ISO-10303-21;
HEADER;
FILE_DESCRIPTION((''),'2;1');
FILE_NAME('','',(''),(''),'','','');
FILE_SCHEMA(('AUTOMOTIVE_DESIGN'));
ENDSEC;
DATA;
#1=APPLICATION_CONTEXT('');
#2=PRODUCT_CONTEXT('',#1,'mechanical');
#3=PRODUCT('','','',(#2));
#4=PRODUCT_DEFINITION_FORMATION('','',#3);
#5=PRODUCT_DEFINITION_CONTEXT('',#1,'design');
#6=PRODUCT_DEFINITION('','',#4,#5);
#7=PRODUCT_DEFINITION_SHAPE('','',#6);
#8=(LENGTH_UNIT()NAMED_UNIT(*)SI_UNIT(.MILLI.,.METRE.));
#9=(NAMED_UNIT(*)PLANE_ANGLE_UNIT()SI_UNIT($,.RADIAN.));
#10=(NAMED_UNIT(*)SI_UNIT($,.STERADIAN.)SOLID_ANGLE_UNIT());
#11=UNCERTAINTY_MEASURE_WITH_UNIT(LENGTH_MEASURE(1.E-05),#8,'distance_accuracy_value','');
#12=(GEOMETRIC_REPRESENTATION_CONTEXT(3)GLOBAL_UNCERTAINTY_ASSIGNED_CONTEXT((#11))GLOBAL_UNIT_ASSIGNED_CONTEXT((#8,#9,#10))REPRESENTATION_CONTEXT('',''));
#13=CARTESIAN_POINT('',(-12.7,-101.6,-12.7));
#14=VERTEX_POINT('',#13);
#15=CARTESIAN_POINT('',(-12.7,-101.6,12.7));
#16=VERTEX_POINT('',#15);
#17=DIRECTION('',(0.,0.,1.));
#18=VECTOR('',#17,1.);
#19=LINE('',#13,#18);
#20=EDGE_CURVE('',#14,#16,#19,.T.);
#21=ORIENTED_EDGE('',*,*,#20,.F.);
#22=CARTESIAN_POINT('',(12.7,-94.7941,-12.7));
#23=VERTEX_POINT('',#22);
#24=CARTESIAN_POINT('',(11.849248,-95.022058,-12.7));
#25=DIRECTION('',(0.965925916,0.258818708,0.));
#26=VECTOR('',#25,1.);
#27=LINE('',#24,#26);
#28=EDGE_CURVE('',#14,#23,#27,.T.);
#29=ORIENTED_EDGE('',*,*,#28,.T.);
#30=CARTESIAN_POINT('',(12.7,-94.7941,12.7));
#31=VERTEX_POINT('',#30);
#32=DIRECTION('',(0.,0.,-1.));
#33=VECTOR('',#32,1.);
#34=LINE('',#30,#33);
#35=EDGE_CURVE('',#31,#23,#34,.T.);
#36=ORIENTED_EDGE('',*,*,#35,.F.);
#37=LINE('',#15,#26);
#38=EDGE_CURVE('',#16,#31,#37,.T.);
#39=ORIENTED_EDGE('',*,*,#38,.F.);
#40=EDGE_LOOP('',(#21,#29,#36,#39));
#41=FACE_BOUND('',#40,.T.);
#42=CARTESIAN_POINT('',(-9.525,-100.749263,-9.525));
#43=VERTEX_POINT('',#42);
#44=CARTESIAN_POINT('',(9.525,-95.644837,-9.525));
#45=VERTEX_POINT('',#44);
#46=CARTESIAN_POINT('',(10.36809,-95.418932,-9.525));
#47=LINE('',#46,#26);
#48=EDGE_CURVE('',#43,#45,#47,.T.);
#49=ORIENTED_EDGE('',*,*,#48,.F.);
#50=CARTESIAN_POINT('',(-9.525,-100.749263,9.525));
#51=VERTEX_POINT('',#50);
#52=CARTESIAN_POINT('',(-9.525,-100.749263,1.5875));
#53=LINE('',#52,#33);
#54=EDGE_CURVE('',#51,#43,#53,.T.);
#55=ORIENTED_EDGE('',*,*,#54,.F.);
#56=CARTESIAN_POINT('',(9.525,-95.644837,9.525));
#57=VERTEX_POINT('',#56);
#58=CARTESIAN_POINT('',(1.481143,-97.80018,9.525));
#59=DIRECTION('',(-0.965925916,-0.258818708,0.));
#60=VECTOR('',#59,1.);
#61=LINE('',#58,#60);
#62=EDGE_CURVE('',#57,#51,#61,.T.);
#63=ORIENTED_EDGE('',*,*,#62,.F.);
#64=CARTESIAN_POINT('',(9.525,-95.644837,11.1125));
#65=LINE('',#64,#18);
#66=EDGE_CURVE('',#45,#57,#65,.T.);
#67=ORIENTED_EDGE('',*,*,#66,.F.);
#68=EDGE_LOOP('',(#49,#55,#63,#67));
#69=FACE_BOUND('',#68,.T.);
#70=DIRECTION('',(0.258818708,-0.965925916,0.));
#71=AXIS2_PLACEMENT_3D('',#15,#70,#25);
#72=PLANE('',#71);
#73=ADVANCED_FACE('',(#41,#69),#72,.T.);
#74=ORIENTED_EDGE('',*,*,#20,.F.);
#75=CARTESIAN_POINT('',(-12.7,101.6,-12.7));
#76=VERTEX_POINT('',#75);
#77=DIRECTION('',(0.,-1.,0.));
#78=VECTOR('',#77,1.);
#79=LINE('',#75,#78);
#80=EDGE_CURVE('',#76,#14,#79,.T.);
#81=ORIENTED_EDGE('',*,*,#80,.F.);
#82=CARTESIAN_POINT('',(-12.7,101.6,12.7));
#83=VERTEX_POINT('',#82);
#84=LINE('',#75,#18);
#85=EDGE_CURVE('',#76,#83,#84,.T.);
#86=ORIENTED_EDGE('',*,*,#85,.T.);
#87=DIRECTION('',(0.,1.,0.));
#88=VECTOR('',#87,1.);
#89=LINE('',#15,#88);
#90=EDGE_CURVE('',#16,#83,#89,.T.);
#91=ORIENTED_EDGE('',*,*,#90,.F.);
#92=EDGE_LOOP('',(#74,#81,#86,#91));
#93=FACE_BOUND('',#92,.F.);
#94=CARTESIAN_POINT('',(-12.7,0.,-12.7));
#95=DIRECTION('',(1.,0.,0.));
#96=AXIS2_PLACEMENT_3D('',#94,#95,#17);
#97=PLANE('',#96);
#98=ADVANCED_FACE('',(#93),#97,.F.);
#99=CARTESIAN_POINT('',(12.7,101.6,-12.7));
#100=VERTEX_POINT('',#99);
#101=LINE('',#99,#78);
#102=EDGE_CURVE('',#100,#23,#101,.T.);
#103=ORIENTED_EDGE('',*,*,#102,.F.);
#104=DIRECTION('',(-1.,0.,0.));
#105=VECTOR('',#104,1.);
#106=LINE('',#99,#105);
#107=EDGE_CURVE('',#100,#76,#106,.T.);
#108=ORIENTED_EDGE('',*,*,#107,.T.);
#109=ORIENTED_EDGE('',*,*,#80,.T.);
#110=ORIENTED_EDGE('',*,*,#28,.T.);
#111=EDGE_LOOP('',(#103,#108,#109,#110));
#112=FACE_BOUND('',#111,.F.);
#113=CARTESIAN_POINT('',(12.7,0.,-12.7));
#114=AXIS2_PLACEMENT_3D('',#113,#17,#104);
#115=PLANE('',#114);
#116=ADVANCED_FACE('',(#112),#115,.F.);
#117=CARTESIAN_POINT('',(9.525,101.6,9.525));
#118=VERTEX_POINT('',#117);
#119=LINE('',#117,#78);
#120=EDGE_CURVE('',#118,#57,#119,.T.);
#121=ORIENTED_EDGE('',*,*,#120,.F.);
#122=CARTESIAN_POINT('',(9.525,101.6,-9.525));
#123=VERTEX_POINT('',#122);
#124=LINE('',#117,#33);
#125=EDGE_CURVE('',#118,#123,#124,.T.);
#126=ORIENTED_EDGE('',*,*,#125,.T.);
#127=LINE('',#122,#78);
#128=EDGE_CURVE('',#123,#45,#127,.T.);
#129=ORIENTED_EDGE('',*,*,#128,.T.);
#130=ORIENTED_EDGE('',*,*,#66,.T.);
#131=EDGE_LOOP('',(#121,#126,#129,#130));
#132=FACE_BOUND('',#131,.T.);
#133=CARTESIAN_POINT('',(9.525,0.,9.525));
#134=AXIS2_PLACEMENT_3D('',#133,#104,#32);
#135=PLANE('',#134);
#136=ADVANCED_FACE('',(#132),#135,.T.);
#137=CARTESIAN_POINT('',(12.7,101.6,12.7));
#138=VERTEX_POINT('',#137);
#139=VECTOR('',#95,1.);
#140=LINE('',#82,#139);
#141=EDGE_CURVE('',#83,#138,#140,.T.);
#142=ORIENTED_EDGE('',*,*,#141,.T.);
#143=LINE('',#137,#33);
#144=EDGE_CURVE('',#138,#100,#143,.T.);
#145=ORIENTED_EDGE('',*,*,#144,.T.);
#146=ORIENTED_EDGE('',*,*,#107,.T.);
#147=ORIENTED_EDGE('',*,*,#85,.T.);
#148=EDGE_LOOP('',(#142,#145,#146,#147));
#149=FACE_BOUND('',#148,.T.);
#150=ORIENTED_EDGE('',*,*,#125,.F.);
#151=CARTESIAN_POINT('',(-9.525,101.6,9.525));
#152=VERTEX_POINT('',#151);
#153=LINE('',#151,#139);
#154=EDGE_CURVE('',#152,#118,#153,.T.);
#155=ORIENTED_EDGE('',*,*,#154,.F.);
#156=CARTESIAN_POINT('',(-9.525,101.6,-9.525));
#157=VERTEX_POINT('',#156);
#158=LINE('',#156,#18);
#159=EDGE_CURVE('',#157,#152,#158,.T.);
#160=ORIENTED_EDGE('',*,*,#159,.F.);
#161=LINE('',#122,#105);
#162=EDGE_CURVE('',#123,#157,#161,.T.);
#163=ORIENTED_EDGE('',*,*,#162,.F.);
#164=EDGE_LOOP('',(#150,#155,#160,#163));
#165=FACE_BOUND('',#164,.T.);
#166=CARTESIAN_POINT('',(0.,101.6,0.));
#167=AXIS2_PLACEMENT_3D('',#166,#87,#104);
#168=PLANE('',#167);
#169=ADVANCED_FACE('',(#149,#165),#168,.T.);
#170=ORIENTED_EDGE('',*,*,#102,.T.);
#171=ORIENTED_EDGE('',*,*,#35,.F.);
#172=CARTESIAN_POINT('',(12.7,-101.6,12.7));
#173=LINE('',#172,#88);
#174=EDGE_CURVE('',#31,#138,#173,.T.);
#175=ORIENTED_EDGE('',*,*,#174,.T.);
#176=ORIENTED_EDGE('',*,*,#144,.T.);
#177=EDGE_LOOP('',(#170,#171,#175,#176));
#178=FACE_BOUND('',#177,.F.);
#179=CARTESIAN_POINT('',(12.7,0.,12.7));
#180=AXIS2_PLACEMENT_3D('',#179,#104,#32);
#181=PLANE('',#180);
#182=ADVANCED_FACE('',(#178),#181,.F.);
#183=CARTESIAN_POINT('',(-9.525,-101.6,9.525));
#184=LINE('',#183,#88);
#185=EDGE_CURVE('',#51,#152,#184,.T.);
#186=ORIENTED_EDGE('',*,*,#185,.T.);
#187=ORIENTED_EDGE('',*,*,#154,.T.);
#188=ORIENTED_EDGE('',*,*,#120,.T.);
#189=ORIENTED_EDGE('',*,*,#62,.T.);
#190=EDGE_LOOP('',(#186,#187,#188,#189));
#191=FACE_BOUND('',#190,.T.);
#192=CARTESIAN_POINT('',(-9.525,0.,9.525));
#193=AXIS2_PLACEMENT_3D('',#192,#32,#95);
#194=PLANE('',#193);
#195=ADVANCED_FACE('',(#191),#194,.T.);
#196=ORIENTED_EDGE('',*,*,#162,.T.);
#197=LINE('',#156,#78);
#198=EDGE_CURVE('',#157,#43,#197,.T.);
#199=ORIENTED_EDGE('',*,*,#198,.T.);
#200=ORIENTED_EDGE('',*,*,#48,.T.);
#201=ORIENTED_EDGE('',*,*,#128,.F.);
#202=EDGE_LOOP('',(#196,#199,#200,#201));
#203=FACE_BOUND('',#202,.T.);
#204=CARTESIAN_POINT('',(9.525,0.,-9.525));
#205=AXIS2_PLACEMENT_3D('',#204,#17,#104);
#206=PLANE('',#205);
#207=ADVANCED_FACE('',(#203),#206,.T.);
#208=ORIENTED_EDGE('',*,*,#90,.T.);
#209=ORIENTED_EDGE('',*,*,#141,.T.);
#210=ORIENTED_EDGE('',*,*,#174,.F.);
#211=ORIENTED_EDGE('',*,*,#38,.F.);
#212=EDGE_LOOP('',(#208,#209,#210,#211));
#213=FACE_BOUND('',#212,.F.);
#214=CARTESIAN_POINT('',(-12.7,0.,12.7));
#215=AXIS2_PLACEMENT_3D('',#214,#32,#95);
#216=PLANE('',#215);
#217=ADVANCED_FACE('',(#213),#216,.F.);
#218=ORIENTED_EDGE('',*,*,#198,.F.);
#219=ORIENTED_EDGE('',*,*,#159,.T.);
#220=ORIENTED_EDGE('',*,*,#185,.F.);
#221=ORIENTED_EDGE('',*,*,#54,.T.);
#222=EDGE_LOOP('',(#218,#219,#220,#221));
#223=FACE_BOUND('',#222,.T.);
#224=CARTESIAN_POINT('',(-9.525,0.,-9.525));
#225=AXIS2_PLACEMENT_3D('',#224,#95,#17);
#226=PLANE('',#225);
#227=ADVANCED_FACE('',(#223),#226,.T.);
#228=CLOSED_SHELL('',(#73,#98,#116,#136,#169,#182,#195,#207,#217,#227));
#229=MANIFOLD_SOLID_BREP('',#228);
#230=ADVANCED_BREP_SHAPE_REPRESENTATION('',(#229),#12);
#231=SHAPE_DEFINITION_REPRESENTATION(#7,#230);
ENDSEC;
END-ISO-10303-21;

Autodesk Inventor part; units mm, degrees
ref_plane "YZ Plane" through (0, 0, 0) normal (1, 0, 0) x (0, 1, 0)
ref_plane "XZ Plane" through (0, 0, 0) normal (0, 1, 0) x (-1, 0, 0)
ref_plane "XY Plane" through (0, 0, 0) normal (0, 0, 1) x (1, 0, 0)
sketch "Sketch1" plane through (0, 0, 0) normal (0, 1, 0) x (-1, 0, 0)
  line L0 (12.7, 12.7) -> (-12.7, 12.7)
  line L1 (-12.7, 12.7) -> (-12.7, -12.7)
  line L2 (-12.7, -12.7) -> (12.7, -12.7)
  line L3 (12.7, -12.7) -> (12.7, 12.7)
  line L4 (12.7, 12.7) -> (-12.7, -12.7) construction
  line L5 (-12.7, 12.7) -> (12.7, -12.7) construction
  line L6 (9.525, 9.525) -> (-9.525, 9.525)
  line L7 (-9.525, 9.525) -> (-9.525, -9.525)
  line L8 (-9.525, -9.525) -> (9.525, -9.525)
  line L9 (9.525, -9.525) -> (9.525, 9.525)
  line L10 (9.525, 9.525) -> (-9.525, -9.525) construction
  line L11 (-9.525, 9.525) -> (9.525, -9.525) construction
  point P0 (0, 0)
  dimension "d0" = 25.4
  dimension "d1" = 25.4
  dimension "d2" = 3.175
  dimension "d3" = 3.175
extrude "Extrusion1" add sketch "Sketch1" along normal mid plane 203.2
sketch "Sketch2" plane through (-12.7, 101.6, 12.7) normal (0, 0, 1) x (1, 0, 0)
  line L0 (25.4, -203.2) -> (0, -203.2) projected
  line L1 (0, -203.2) -> (25.4, -196.3941)
  line L2 (25.4, -203.2) -> (0, -203.2)
  line L3 (25.4, 0) -> (25.4, -203.2) projected
  line L4 (25.4, -203.2) -> (25.4, -196.3941)
  point P0 (12.7, -101.6)
  dimension "d6" = 15
extrude "Extrusion2" cut sketch "Sketch2" against normal through all
properties part number "motorBracket-15-degreeBase"
